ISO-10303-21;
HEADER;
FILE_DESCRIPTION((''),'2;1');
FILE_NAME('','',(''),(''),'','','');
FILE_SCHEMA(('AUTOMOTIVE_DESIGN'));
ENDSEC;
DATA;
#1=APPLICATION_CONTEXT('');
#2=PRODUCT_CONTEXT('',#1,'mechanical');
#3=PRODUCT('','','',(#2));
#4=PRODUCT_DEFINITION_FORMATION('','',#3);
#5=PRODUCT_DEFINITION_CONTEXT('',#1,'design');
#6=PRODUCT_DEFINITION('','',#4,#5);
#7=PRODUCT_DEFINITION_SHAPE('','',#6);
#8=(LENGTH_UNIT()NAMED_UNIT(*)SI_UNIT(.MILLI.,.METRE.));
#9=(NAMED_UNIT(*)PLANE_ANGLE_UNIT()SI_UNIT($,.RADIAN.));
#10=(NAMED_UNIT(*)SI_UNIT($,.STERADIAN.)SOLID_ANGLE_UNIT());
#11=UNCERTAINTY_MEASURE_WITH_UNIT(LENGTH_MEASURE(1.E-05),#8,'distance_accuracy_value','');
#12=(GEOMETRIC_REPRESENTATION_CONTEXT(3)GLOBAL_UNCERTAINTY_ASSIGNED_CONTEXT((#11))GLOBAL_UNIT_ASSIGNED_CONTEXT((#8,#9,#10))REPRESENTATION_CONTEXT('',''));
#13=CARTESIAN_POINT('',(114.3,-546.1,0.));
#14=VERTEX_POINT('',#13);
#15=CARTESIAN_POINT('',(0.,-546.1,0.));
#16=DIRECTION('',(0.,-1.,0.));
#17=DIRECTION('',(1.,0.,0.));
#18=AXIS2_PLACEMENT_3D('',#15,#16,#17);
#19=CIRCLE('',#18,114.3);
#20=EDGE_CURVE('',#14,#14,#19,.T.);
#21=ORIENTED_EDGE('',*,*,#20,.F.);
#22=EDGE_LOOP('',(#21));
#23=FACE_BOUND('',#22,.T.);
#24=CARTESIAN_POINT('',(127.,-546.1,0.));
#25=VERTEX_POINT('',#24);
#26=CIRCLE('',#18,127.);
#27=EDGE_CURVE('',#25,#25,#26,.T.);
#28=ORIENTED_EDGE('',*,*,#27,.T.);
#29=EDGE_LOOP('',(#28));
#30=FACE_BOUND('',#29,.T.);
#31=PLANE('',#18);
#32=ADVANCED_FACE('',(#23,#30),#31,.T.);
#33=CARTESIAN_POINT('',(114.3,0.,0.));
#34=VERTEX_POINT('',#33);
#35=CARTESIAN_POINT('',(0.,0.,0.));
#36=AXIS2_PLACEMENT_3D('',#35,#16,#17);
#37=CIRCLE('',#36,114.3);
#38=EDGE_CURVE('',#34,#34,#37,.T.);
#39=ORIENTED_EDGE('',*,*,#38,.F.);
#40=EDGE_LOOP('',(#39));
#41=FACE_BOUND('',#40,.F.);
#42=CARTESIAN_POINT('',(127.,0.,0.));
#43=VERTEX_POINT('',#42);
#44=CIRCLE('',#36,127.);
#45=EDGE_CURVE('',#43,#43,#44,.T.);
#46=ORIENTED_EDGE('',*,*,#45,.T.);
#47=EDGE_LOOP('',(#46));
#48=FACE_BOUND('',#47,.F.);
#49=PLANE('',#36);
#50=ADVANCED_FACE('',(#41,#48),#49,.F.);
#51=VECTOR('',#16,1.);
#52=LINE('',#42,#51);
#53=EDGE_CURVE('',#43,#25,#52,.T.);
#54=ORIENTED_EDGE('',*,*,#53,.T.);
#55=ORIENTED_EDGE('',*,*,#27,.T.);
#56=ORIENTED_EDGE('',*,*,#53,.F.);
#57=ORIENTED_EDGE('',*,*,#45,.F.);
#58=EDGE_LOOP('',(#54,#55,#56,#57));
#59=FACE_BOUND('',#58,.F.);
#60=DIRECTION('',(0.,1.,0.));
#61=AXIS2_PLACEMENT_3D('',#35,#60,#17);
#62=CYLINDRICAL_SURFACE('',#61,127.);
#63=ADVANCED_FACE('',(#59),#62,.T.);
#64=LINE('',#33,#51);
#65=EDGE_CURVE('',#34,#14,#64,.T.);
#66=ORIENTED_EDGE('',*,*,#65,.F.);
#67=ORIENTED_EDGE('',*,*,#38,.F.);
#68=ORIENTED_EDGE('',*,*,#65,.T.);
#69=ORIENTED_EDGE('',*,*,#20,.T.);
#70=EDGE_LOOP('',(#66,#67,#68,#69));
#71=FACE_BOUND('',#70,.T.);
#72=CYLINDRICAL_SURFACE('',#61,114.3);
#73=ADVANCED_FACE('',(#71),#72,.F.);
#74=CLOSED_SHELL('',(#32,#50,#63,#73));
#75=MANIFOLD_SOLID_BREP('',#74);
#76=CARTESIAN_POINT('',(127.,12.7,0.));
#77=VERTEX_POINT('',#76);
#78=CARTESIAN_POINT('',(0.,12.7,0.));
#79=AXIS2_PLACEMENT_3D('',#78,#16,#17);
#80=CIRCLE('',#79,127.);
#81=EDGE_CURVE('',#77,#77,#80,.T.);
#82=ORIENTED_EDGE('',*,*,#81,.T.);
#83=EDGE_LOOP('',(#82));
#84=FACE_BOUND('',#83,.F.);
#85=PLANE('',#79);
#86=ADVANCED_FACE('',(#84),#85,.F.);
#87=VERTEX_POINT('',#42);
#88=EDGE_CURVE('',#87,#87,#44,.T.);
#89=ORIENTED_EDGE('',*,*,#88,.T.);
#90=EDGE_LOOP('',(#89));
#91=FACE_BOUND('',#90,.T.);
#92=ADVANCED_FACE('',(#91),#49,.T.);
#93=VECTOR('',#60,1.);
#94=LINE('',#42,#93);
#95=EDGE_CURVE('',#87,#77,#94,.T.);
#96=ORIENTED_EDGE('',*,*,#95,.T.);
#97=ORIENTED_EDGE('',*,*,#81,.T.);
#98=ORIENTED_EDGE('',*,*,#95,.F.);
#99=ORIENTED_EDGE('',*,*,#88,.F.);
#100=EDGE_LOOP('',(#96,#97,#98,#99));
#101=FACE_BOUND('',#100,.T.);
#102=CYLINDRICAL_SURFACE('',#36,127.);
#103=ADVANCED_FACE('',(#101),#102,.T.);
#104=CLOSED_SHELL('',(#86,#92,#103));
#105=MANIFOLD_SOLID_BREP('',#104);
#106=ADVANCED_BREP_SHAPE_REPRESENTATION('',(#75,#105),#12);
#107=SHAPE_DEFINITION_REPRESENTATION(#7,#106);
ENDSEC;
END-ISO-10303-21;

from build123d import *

# Parameters (mm, degrees)
F0_R     = 127
F0_R_2   = 114.3
F1_DEPTH = 546.1
F2_DEPTH = 12.7


with BuildPart() as f1:
    # F0 (on Front) → F1 (new body)
    with BuildSketch(Plane.XZ):
        Circle(F0_R)
        Circle(F0_R_2, mode=Mode.SUBTRACT)
    extrude(amount=F1_DEPTH)


with BuildPart() as f2:
    # F0 (on Front) → F2 (new body)
    with BuildSketch(Plane.XZ):
        Circle(F0_R)
        Circle(F0_R_2, mode=Mode.SUBTRACT)
        Circle(F0_R_2)
    extrude(amount=-F2_DEPTH)


solid = Compound([f1.part, f2.part])
